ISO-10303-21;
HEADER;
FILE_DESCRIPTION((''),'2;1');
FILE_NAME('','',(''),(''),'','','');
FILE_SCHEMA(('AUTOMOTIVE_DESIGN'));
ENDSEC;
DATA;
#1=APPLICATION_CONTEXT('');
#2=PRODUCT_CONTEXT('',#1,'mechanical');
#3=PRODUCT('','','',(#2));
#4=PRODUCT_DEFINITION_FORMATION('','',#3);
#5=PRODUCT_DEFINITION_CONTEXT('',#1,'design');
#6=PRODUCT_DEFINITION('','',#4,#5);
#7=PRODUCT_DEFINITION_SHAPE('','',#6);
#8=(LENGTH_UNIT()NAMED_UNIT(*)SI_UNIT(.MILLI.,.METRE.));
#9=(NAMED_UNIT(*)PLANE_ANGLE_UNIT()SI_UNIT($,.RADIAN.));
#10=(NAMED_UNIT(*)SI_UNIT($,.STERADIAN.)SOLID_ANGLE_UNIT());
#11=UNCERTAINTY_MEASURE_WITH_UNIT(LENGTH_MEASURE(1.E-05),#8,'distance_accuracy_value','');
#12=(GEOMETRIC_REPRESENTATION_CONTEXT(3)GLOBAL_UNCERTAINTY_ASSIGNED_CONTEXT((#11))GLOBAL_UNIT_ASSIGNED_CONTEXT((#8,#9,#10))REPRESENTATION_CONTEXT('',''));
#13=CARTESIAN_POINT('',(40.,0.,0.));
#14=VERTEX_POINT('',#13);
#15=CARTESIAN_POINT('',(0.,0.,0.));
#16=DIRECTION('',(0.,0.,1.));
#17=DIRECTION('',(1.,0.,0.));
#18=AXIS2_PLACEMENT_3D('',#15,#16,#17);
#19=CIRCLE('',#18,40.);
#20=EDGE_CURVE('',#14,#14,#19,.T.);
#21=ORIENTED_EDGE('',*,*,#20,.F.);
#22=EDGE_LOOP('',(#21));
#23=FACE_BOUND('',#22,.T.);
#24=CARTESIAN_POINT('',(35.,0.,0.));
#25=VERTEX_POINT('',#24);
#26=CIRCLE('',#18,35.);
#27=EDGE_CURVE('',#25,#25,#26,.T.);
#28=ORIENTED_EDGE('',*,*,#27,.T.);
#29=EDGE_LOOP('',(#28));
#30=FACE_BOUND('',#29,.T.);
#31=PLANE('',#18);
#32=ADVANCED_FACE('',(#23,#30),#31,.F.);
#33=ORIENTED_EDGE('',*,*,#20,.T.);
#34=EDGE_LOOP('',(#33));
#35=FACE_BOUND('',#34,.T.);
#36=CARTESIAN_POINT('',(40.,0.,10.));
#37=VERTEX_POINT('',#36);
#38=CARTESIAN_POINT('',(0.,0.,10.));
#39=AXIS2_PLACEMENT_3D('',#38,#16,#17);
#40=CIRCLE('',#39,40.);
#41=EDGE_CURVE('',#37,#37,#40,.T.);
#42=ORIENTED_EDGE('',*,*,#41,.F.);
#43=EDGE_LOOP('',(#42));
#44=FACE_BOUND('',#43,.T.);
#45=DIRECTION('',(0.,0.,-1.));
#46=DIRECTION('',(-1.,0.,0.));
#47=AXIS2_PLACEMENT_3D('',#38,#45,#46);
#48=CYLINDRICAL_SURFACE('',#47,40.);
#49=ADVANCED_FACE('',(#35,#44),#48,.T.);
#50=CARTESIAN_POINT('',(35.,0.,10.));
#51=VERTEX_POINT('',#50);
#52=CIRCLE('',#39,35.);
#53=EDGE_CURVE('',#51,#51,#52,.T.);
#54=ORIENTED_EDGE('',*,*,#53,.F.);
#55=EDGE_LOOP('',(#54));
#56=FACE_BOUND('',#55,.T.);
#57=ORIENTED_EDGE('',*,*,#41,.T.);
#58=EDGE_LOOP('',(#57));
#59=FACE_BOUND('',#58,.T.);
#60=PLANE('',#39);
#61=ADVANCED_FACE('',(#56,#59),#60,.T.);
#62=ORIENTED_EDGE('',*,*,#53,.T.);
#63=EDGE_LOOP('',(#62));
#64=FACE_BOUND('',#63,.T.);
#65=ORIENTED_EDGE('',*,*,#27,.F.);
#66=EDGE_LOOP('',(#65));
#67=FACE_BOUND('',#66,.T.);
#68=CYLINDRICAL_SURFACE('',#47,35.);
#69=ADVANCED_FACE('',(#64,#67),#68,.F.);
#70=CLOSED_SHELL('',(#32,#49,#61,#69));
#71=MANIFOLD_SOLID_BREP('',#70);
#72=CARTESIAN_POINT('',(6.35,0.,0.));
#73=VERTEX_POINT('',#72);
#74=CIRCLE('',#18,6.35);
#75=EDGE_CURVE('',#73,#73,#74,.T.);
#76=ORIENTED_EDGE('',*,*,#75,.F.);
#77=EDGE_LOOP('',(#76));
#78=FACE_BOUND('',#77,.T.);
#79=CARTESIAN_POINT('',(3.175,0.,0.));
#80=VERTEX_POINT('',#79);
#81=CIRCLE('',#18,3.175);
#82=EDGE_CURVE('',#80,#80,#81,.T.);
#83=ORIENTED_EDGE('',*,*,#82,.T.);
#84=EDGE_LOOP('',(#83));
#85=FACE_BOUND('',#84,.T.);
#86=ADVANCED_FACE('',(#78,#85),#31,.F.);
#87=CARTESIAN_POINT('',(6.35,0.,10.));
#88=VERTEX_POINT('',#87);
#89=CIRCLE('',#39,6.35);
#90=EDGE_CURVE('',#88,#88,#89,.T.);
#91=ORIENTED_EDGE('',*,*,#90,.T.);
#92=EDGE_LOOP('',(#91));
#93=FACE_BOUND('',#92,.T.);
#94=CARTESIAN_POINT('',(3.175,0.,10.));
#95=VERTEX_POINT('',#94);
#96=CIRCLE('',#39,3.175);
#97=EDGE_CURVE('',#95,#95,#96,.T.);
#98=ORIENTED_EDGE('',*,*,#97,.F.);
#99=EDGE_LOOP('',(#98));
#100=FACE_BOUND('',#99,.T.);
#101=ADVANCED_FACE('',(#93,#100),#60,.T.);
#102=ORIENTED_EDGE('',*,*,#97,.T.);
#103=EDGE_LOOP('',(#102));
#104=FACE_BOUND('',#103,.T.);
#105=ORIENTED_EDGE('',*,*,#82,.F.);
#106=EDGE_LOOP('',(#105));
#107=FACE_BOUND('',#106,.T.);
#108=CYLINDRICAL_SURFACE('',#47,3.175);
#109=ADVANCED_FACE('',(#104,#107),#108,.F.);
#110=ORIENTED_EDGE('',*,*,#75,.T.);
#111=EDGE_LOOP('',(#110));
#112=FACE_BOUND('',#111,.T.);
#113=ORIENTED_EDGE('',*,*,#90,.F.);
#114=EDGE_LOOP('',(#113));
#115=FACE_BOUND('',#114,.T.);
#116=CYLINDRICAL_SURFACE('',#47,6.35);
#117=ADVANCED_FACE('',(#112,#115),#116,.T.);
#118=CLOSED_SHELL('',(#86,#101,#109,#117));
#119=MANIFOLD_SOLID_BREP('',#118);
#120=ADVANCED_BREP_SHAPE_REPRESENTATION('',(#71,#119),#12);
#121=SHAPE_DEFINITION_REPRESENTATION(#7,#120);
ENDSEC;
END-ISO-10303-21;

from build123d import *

# Parameters (mm, degrees)
SKETCH1_R             = 40
SKETCH1_R_2           = 35
BOSS_EXTRUDE1_DEPTH   = 10
SKETCH1_R_3           = 6.35
SKETCH1_R_4           = 3.175
BOSS_EXTRUDE1_2_DEPTH = 10


with BuildPart() as part:
    # Sketch1 → Boss-Extrude1 (new body)
    with BuildSketch(Plane.XY):
        Circle(SKETCH1_R)
        Circle(SKETCH1_R_2, mode=Mode.SUBTRACT)
    extrude(amount=BOSS_EXTRUDE1_DEPTH)


with BuildPart() as body_2:
    # Sketch1 → Boss-Extrude1 2 (new body)
    with BuildSketch(Plane.XY):
        Circle(SKETCH1_R_3)
        Circle(SKETCH1_R_4, mode=Mode.SUBTRACT)
    extrude(amount=BOSS_EXTRUDE1_2_DEPTH)


solid = Compound([part.part, body_2.part])
